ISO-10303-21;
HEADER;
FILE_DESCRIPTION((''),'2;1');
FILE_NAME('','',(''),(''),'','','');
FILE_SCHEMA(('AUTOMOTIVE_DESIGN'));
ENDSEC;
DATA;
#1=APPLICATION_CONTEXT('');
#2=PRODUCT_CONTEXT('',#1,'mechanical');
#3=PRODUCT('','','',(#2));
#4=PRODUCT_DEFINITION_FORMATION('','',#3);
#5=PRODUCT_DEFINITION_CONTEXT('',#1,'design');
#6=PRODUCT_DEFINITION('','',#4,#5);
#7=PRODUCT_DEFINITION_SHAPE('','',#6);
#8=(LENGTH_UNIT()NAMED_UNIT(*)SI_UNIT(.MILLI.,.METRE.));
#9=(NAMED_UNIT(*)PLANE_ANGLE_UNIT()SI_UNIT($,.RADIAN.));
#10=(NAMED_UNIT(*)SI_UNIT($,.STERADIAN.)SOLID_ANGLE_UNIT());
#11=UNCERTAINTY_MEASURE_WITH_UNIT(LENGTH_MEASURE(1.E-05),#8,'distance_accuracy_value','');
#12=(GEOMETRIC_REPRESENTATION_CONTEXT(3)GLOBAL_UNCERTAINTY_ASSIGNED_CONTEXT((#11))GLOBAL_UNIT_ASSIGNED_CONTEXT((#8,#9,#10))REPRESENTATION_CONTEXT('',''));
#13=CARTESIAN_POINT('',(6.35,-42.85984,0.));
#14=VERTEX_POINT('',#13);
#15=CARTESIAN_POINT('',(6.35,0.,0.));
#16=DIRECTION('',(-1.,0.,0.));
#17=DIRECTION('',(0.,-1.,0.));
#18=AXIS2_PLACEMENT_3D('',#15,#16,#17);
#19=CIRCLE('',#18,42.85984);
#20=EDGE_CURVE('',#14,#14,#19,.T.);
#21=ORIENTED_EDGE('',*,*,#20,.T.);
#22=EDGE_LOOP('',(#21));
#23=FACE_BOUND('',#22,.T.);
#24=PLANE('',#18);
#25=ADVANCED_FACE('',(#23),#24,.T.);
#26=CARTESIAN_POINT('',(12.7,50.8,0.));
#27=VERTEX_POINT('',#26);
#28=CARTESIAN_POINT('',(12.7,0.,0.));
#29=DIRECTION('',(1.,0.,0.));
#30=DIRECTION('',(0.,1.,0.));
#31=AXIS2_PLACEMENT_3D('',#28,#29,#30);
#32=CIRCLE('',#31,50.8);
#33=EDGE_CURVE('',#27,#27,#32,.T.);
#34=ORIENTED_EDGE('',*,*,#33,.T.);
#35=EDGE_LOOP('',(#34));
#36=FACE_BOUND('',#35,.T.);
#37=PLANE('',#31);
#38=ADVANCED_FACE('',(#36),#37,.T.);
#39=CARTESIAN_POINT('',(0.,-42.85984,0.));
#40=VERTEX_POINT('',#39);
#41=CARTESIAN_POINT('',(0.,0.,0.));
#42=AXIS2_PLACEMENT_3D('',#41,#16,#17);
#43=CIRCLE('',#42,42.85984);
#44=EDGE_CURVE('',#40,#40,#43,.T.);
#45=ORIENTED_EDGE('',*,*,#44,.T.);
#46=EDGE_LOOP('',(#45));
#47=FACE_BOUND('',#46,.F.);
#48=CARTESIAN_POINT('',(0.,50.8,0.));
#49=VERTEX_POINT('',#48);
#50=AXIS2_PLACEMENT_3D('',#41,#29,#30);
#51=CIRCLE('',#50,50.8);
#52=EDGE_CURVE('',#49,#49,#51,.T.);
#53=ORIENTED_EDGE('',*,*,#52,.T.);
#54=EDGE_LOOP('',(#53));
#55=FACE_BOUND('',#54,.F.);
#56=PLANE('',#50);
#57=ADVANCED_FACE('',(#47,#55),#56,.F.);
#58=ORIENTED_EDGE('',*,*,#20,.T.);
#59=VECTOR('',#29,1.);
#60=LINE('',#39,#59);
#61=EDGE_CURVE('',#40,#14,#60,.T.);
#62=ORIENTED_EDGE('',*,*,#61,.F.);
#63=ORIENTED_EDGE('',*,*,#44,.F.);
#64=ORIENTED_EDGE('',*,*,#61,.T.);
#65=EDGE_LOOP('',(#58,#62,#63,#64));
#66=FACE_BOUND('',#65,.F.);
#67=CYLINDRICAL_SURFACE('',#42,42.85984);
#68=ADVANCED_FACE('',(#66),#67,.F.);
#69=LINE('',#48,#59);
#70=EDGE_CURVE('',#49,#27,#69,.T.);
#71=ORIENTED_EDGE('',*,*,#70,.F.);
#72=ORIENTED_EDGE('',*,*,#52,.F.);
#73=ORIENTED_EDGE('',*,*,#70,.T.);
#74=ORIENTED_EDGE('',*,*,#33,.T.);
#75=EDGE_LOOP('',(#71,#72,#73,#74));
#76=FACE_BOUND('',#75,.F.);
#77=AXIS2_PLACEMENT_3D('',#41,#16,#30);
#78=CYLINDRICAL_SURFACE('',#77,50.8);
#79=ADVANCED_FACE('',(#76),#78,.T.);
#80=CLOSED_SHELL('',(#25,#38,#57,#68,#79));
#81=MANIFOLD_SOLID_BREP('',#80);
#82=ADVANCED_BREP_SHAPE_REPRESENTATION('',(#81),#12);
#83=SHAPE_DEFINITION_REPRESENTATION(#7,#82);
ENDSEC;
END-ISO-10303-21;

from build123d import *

# Parameters (mm, degrees)
F0_R     = 50.8
F1_DEPTH = 12.7
F2_R     = 42.85984
F3_DEPTH = 6.35


with BuildPart() as f1:
    # F0 (on Right) → F1 (new body)
    with BuildSketch(Plane.YZ):
        Circle(F0_R)
    extrude(amount=F1_DEPTH)

    # F2 (on face) → F3 (cut)
    with BuildSketch(Plane(origin=(0, 0, 0), x_dir=(0, -1, 0), z_dir=(-1, 0, 0))):
        Circle(F2_R)
    extrude(amount=-F3_DEPTH, mode=Mode.SUBTRACT)


solid = f1.part
